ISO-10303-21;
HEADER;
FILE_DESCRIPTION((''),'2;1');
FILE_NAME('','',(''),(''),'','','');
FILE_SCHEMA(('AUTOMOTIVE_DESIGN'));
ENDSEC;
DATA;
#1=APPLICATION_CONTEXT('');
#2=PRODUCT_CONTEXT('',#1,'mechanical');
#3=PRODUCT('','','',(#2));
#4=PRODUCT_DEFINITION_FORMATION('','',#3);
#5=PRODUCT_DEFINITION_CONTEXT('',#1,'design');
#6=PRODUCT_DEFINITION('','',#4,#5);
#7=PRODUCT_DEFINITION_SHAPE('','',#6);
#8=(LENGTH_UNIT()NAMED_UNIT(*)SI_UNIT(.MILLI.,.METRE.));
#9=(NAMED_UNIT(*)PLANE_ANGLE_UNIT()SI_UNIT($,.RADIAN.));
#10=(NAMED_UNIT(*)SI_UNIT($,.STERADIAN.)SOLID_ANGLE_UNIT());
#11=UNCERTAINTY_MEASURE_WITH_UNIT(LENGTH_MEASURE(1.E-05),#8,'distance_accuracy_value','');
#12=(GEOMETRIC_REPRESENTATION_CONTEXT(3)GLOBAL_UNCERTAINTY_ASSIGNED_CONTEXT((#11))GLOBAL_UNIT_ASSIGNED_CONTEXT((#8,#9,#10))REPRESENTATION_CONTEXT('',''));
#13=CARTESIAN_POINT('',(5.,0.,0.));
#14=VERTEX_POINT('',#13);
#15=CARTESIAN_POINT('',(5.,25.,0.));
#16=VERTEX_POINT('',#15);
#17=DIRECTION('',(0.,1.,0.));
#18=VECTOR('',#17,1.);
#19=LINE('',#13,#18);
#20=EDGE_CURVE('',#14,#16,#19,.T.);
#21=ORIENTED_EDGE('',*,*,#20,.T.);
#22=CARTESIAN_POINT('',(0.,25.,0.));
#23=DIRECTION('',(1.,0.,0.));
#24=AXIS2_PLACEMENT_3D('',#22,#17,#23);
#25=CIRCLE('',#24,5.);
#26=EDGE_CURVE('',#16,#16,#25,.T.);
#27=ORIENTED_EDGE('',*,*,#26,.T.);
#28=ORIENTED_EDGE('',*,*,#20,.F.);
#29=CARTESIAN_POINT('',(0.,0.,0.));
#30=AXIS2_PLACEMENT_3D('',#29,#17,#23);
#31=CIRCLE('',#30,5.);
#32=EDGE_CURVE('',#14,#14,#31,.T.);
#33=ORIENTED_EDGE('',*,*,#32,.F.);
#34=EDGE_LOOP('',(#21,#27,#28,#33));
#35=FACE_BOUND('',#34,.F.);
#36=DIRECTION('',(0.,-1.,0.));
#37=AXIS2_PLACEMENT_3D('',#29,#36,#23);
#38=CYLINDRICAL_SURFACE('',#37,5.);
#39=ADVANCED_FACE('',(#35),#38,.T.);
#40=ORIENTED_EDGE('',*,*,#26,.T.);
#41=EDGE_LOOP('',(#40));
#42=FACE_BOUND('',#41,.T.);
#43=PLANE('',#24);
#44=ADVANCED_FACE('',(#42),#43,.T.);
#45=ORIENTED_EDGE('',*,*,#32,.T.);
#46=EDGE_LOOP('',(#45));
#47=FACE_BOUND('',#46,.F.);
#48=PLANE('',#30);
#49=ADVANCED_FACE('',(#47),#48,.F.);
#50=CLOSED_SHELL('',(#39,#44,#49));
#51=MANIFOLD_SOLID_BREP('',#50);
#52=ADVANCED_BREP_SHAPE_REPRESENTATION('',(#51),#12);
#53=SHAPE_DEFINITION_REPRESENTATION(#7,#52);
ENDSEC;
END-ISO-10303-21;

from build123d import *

# Parameters (mm, degrees)
SKETCH_1_R      = 5
EXTRUDE_1_DEPTH = 25


with BuildPart() as part:
    # 草图1 → 凸台-拉伸1 (new body)
    with BuildSketch(Plane(origin=(0, 0, 0), x_dir=(1, 0, 0), z_dir=(0, 1, 0))):
        Circle(SKETCH_1_R)
    extrude(amount=EXTRUDE_1_DEPTH)


solid = part.part
